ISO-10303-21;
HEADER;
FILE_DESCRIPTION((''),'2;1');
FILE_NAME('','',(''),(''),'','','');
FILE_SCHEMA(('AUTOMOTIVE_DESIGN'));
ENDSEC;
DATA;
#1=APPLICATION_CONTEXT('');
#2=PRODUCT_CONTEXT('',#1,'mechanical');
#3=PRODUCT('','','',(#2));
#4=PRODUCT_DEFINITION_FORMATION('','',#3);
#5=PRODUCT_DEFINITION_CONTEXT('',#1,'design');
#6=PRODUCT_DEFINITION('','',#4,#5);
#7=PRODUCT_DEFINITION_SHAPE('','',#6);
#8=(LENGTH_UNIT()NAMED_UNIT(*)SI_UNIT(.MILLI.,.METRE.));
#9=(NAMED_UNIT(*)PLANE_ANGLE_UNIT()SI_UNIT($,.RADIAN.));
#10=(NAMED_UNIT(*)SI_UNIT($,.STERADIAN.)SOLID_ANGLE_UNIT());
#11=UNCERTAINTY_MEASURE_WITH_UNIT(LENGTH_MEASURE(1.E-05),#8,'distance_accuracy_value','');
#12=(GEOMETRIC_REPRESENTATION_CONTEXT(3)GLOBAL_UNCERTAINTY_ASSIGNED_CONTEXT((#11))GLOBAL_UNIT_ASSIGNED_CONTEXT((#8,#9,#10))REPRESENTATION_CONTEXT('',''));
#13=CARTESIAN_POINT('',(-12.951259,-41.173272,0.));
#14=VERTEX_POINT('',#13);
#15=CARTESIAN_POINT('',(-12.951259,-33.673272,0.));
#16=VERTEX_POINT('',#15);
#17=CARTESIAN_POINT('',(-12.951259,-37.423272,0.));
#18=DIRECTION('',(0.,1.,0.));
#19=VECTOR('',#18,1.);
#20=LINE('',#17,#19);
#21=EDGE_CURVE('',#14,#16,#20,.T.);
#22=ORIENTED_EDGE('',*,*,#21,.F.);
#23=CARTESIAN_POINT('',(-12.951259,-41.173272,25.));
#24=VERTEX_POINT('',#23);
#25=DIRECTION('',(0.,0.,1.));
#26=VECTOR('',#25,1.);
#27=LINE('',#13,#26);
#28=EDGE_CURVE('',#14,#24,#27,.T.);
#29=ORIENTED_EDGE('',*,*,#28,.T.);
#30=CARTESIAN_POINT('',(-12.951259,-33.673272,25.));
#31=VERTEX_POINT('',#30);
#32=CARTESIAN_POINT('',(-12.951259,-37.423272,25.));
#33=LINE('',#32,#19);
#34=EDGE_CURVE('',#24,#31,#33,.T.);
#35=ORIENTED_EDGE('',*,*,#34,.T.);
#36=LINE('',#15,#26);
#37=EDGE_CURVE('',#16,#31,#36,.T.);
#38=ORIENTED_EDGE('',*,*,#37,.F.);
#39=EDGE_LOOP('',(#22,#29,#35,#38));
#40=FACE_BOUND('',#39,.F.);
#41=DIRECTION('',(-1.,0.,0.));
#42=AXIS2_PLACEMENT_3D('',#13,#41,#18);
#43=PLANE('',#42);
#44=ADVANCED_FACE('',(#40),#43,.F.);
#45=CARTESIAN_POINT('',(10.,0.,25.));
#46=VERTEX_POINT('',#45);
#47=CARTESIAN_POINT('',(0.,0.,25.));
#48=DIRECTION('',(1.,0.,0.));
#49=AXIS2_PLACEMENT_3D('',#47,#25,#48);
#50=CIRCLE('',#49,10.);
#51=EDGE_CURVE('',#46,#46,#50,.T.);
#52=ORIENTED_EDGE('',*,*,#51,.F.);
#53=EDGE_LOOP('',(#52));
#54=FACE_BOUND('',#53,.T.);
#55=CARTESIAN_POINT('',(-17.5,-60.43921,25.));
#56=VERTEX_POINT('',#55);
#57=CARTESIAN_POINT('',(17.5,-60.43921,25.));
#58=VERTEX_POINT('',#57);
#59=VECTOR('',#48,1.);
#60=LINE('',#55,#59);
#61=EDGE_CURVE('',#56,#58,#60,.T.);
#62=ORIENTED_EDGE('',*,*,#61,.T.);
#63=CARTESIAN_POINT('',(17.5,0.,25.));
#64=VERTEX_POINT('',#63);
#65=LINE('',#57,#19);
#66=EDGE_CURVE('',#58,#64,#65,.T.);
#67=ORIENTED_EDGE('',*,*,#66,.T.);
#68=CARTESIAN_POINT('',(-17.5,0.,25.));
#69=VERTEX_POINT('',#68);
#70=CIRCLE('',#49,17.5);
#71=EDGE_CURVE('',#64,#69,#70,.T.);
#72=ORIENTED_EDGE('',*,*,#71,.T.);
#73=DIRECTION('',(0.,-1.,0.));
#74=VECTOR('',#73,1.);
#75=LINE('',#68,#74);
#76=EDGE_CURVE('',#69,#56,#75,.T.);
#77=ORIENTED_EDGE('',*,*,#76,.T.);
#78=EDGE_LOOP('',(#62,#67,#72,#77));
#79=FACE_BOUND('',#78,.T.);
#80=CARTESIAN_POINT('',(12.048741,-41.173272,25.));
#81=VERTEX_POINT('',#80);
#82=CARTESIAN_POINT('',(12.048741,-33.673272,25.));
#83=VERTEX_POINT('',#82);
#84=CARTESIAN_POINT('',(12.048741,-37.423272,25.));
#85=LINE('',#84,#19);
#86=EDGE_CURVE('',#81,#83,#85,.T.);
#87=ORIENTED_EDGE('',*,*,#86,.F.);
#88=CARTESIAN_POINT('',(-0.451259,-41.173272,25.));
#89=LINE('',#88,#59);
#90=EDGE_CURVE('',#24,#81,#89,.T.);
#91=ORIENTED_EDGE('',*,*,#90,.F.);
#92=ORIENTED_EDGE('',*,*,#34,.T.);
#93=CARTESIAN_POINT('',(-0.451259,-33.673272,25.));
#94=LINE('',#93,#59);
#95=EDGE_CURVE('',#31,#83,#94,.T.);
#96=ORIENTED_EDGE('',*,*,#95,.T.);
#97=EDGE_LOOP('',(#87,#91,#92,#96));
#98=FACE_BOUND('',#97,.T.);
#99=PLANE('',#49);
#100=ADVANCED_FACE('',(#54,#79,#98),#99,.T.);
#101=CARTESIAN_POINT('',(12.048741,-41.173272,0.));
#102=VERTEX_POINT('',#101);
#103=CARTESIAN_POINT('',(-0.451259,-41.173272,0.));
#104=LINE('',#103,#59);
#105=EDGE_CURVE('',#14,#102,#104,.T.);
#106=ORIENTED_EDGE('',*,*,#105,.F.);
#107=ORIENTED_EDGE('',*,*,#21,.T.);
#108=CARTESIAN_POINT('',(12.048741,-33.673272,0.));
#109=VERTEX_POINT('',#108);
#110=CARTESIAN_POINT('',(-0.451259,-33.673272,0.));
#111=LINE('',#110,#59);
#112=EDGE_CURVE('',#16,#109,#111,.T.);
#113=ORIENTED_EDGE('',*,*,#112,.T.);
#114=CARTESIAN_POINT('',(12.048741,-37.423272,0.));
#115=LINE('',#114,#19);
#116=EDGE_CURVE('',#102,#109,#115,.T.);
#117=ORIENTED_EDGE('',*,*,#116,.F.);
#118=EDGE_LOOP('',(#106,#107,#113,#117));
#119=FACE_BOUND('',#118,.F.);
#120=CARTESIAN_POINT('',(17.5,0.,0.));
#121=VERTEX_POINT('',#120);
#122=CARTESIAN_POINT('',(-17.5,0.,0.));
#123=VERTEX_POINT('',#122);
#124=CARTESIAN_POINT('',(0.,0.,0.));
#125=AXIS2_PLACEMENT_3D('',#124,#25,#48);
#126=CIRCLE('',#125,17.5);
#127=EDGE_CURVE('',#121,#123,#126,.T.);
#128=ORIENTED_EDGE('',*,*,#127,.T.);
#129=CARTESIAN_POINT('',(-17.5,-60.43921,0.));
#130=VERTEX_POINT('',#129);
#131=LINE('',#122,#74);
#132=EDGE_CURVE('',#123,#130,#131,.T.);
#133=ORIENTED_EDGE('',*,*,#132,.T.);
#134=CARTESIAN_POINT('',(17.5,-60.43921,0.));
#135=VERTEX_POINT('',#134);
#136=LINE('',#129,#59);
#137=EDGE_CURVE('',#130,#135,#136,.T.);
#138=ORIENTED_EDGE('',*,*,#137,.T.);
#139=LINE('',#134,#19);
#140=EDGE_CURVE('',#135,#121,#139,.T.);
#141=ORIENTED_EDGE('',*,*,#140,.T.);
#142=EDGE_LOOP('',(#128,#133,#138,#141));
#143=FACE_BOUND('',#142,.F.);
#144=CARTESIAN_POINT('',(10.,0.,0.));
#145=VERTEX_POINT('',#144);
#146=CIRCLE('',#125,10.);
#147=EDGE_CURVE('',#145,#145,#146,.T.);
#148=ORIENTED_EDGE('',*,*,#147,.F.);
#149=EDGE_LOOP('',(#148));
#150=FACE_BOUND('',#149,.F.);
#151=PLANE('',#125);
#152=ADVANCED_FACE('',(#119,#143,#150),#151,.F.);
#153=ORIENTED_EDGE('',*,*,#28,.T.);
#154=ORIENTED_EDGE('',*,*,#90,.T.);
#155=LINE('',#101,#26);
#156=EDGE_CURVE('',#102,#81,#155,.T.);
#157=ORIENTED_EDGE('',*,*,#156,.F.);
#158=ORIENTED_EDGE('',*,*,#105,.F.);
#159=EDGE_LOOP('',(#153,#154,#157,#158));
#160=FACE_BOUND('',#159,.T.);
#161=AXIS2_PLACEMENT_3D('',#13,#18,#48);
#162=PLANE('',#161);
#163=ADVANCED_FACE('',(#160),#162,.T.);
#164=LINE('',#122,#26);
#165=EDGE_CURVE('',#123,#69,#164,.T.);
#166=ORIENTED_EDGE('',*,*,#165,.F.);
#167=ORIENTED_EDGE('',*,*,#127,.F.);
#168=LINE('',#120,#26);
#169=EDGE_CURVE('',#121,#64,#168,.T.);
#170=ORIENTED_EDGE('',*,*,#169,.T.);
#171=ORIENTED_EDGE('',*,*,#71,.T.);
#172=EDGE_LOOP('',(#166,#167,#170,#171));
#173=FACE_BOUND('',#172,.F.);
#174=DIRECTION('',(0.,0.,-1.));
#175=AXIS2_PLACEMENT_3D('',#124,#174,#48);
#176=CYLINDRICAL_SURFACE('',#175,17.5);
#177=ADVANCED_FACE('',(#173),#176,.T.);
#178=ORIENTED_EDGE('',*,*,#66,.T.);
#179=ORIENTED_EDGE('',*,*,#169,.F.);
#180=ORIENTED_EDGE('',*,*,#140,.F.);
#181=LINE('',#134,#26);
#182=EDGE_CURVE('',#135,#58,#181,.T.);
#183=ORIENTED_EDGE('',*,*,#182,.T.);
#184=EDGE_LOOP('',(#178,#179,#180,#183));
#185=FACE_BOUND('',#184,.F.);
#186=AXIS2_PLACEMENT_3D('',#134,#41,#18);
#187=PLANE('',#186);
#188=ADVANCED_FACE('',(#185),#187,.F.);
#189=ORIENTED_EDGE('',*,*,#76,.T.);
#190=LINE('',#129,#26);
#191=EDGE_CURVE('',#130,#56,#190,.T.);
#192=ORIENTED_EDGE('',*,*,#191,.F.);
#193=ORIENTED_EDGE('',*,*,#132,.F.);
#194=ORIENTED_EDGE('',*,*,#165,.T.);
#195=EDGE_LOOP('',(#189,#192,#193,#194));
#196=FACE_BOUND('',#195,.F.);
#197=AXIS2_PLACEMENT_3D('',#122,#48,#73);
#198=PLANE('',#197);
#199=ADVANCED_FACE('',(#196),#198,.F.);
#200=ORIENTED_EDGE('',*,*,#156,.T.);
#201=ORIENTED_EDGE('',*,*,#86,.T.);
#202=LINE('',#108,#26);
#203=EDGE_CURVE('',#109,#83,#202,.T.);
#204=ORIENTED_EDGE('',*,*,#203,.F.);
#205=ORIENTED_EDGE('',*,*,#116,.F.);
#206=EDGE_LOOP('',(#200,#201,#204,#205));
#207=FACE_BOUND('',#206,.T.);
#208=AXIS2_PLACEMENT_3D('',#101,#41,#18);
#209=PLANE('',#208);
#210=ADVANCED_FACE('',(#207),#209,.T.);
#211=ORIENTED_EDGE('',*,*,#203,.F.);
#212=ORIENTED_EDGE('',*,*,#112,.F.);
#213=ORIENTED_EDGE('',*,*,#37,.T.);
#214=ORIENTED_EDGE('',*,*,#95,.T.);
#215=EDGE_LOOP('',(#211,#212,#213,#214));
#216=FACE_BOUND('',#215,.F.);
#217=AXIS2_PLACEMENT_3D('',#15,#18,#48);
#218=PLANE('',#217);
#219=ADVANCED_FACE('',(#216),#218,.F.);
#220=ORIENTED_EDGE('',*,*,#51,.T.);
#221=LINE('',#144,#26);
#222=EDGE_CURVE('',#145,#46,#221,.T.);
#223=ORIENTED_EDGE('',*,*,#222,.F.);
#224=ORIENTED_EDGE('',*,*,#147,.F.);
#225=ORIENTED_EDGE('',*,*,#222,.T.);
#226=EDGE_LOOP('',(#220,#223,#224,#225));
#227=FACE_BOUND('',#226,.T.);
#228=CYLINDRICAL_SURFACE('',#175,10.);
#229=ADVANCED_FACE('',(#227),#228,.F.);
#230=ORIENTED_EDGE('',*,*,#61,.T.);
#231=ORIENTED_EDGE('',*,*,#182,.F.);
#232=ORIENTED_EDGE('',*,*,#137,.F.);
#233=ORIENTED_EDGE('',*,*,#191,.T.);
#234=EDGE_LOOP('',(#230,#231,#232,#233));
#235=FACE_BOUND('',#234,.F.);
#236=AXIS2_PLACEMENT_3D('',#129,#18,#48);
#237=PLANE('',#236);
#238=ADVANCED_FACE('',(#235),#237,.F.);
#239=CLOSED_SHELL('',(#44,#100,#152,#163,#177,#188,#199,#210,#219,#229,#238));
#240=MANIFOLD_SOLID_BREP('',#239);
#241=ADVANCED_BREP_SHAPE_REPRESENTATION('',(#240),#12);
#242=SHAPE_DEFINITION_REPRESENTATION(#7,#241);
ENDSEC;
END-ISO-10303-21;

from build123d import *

# Parameters (mm, degrees)
F0_R     = 10
F0_W     = 25
F0_H     = 7.5
F1_DEPTH = 25


with BuildPart() as f1:
    # F0 (on Top) → F1 (new body)
    with BuildSketch(Plane.XY):
        with BuildLine():
            ThreePointArc((-17.5, 0), (0, -17.5), (17.5, 0))
            ThreePointArc((17.5, 0), (0, 17.5), (-17.5, 0))
        make_face()
        Circle(F0_R, mode=Mode.SUBTRACT)
        with BuildLine():
            Line((17.5, -60.43921), (17.5, 0))
            ThreePointArc((17.5, 0), (0, -17.5), (-17.5, 0))
            Line((-17.5, 0), (-17.5, -60.43921))
            Line((-17.5, -60.43921), (17.5, -60.43921))
        make_face()
        with Locations((-0.451259, -37.423272)):
            Rectangle(F0_W, F0_H, mode=Mode.SUBTRACT)
    extrude(amount=F1_DEPTH)


solid = f1.part
